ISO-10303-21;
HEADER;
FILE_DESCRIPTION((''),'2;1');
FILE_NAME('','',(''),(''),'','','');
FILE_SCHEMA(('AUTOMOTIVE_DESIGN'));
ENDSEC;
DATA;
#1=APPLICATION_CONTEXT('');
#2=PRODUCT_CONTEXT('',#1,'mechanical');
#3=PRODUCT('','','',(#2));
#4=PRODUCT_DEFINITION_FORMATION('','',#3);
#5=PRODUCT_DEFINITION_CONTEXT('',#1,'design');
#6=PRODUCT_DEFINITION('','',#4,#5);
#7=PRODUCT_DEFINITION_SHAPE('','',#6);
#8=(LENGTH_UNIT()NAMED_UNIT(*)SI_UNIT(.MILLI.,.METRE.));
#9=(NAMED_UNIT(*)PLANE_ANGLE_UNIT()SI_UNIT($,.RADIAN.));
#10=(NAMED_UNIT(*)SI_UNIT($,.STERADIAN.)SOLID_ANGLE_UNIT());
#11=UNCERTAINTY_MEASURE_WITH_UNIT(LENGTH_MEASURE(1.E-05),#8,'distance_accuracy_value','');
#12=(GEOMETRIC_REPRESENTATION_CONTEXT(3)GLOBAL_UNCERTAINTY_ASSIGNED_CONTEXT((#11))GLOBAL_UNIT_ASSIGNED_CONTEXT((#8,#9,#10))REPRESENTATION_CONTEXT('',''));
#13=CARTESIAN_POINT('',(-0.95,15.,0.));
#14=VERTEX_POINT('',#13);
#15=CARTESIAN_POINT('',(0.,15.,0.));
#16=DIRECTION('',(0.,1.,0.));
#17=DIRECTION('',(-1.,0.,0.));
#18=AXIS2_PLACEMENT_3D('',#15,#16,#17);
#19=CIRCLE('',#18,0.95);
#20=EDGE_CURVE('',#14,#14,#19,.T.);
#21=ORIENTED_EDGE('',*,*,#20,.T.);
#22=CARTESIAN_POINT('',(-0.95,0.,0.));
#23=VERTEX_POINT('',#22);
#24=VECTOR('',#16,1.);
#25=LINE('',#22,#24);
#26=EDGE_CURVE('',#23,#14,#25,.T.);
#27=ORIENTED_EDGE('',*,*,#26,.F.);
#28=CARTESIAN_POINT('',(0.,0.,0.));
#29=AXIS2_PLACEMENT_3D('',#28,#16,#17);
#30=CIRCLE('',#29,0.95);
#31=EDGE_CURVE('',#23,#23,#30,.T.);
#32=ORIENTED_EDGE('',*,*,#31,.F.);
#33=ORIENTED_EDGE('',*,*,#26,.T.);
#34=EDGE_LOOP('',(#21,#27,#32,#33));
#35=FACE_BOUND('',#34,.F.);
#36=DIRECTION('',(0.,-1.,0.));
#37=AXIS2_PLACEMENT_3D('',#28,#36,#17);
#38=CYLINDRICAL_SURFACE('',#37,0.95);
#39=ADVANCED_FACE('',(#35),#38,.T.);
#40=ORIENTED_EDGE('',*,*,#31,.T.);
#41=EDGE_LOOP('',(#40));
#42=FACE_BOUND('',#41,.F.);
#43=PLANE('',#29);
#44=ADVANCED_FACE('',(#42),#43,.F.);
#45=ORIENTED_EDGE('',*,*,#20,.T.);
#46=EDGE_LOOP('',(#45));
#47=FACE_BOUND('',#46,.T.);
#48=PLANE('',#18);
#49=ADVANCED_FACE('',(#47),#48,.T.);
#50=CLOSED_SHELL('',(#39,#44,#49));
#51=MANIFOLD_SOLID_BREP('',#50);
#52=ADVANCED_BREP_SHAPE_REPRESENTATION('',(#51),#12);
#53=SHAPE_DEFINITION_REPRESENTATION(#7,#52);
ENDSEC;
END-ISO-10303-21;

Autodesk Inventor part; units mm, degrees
ref_plane "YZ Plane" through (0, 0, 0) normal (1, 0, 0) x (0, 1, 0)
ref_plane "XZ Plane" through (0, 0, 0) normal (0, 1, 0) x (-1, 0, 0)
ref_plane "XY Plane" through (0, 0, 0) normal (0, 0, 1) x (1, 0, 0)
sketch "Sketch1" plane through (0, 0, 0) normal (0, 1, 0) x (-1, 0, 0)
  circle A0 centre (0, 0) radius 0.95
  dimension "d0" = 1.9
extrude "Extrusion1" add sketch "Sketch1" along normal blind 15
sketch "Sketch2" plane through (0, 15, 0) normal (0, 1, 0) x (1, 0, 0)
  point P0 (0, 0)
properties part number "FIN_dowel_pin_short"
